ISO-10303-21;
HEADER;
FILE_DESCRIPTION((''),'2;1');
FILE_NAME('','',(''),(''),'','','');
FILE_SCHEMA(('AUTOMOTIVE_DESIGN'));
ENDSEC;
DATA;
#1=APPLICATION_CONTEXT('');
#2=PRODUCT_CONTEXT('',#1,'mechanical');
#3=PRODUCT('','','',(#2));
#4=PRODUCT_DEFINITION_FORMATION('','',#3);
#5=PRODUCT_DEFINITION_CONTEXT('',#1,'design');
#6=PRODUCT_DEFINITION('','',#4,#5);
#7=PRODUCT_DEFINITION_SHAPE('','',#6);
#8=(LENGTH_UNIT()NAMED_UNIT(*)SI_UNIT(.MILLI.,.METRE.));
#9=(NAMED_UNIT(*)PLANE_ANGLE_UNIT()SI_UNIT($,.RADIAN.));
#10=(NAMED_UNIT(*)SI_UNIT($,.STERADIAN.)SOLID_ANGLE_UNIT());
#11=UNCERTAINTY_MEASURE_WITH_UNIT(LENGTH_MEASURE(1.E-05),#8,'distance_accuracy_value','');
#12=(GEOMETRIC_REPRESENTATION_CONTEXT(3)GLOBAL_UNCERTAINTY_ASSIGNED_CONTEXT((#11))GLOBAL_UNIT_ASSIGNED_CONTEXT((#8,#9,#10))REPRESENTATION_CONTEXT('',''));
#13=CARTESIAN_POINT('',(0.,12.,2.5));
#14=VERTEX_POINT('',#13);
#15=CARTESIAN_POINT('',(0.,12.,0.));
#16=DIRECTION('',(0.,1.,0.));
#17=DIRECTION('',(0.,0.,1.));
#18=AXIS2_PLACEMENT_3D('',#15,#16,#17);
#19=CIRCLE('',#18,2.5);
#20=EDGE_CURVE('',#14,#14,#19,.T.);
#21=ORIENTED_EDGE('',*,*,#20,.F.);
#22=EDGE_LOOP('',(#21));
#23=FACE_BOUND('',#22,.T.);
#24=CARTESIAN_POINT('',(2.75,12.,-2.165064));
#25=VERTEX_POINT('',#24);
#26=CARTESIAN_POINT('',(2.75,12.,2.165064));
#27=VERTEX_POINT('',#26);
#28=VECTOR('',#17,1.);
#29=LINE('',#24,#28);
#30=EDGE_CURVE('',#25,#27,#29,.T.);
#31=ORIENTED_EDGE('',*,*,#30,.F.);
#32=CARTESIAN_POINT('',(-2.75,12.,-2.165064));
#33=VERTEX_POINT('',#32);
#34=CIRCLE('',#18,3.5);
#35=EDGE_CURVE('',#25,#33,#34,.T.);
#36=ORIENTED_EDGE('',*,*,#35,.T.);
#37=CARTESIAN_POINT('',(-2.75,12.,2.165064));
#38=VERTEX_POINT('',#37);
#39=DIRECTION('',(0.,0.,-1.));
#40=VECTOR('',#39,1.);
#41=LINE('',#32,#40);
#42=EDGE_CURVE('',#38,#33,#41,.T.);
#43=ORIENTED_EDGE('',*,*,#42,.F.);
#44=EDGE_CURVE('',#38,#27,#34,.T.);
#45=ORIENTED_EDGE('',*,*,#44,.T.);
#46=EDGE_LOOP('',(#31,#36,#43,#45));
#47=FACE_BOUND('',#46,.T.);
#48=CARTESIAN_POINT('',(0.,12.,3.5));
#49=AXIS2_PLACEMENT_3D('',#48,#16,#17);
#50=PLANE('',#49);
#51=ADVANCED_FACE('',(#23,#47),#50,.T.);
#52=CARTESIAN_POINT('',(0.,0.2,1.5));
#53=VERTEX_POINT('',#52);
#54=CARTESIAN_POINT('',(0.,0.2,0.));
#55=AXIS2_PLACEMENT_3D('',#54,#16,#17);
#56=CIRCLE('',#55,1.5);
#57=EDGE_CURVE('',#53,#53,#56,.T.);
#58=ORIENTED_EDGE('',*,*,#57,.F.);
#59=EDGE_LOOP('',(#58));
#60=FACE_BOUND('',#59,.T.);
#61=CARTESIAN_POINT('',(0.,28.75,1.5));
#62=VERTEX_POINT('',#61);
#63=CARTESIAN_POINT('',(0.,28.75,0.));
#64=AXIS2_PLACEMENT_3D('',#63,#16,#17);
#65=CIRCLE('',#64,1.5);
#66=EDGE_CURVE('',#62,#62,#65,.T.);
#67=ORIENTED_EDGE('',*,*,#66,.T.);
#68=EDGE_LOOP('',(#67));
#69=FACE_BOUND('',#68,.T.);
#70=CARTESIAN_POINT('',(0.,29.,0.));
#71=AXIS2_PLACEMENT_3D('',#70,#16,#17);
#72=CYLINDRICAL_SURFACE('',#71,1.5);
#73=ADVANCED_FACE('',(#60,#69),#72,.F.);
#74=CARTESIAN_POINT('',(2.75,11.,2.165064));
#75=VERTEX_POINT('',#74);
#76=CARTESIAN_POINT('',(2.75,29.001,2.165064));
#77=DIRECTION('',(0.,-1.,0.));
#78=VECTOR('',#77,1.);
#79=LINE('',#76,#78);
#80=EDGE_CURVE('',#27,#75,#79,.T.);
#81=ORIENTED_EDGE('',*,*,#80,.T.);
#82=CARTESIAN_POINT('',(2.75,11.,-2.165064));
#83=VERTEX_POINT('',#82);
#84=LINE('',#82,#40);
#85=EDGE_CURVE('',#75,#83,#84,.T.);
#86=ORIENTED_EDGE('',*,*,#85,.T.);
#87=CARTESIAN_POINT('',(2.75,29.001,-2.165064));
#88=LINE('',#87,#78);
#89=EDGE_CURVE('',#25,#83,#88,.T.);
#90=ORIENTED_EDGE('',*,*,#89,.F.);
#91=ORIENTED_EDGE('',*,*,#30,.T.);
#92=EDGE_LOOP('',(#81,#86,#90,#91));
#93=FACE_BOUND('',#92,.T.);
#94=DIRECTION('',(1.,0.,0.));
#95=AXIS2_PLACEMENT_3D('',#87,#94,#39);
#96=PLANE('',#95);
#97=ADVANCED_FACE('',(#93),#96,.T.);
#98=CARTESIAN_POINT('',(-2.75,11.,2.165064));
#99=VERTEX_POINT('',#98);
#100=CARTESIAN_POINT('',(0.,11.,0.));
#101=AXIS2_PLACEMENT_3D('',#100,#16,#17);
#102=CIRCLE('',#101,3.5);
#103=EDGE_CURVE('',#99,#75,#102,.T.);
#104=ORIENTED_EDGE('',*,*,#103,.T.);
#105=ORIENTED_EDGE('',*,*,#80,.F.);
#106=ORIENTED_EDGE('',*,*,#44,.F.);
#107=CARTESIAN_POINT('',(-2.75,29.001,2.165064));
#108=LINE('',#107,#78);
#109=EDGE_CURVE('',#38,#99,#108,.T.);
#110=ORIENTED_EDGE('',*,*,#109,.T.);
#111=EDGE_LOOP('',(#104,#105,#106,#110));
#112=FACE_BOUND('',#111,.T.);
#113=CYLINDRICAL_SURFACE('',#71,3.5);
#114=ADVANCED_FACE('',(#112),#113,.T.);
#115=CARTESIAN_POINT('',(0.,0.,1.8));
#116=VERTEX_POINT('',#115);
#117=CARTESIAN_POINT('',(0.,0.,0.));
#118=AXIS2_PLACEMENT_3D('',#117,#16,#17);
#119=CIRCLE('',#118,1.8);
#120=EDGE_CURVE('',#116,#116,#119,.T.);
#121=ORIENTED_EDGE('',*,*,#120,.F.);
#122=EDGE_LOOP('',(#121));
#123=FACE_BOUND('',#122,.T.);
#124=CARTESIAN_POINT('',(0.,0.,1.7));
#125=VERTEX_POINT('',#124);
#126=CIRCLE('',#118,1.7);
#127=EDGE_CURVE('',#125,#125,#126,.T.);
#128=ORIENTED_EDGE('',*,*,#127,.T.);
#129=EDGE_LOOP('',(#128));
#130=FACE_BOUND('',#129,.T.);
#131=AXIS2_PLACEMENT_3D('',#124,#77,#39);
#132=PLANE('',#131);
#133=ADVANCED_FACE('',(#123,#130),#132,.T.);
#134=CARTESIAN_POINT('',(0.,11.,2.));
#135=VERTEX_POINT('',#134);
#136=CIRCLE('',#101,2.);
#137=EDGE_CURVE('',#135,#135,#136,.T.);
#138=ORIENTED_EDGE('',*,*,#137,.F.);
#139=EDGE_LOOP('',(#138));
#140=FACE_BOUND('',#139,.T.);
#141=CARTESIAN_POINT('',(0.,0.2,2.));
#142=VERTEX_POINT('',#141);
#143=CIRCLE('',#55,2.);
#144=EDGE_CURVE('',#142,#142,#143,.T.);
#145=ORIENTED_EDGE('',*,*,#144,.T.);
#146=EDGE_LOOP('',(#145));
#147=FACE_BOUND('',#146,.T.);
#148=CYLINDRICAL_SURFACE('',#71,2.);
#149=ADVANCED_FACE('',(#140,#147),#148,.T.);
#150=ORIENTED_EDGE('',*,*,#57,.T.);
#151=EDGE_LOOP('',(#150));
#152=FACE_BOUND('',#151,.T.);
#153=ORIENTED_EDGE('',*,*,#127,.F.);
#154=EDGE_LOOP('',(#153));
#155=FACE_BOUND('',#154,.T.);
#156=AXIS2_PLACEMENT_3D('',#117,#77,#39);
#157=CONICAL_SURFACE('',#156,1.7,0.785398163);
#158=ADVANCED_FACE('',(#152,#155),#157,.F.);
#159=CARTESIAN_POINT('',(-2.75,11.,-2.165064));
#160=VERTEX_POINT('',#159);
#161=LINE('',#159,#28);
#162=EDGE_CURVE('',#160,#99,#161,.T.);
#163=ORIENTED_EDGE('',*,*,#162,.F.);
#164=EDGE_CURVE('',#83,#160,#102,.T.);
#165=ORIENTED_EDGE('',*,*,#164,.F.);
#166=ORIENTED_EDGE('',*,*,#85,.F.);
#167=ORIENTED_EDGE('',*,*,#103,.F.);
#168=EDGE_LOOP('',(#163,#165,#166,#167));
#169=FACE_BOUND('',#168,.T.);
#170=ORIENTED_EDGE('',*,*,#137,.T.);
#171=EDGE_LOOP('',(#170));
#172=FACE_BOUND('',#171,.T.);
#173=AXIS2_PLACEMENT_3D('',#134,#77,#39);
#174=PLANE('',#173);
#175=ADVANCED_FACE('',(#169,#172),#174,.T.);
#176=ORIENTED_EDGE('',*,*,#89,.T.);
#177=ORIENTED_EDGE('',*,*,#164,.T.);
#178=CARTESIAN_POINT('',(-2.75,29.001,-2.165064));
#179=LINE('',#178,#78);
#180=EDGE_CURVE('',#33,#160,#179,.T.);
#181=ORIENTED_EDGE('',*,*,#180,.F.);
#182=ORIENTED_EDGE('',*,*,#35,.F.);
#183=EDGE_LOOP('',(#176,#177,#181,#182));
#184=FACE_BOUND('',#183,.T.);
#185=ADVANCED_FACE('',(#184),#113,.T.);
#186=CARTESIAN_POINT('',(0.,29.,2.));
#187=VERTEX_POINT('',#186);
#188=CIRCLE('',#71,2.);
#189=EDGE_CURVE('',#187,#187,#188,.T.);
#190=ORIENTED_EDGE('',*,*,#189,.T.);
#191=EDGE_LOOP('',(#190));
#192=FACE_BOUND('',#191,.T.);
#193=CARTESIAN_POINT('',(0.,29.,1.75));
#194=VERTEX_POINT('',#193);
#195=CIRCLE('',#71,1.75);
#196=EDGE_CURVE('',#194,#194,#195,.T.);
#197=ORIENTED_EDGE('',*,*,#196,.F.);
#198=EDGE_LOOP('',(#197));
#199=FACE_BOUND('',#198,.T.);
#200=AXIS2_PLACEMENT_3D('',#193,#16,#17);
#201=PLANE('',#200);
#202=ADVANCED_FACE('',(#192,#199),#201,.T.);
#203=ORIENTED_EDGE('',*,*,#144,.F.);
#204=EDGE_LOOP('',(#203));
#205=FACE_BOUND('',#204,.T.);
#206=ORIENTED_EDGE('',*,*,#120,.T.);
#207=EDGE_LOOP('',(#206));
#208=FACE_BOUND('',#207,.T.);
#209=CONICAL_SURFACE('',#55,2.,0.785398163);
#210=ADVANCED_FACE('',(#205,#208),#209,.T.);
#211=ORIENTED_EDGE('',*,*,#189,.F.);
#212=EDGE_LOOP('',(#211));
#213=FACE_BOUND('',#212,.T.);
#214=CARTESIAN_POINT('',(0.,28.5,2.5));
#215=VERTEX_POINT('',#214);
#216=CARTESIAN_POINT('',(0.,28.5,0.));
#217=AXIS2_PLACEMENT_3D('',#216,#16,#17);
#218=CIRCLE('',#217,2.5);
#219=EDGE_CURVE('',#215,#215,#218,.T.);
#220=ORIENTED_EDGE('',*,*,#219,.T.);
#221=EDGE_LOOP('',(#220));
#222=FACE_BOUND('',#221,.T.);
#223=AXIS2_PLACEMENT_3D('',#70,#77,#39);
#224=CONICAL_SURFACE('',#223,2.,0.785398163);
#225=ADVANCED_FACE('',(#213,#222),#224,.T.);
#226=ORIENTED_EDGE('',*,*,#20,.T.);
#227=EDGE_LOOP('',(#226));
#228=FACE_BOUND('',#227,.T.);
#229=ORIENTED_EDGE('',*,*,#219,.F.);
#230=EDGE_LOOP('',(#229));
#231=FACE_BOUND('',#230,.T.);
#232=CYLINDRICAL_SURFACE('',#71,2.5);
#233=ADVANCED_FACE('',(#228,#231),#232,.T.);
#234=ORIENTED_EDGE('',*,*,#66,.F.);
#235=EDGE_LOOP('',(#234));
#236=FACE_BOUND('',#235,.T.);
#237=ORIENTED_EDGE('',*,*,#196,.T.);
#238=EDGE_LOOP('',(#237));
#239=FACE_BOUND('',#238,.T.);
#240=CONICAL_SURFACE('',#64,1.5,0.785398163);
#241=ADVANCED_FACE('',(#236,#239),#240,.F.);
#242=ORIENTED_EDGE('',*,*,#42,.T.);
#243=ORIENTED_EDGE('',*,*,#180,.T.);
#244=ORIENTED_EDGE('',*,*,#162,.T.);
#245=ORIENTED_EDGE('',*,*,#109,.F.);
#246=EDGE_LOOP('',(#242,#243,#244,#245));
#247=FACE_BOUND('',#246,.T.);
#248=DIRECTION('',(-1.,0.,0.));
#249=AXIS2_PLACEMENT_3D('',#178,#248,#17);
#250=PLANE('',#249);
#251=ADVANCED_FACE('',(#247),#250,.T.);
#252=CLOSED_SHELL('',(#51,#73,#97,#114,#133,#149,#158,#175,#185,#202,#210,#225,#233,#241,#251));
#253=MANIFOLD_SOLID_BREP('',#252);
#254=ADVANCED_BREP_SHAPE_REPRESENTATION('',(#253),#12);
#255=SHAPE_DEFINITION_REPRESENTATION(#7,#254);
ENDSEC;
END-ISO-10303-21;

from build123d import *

# Parameters (mm, degrees)
CUT_EXTRUDE1_REACH = 31.419


with BuildPart() as part:
    # Sketch1 → Revolve1 (revolve)
    with BuildSketch(Plane(origin=(0, 0, 0), x_dir=(0, 0, -1), z_dir=(1, 0, 0))):
        Polygon((-1.5, 0.2), (-1.5, 28.75), (-1.75, 29), (-2, 29), (-2.5, 28.5), (-2.5, 12), (-3.5, 12), (-3.5, 11), (-2, 11), (-2, 0.2), (-1.8, 0), (-1.7, 0), align=None)
    revolve(axis=Axis((0, 29, 0), (0, -1, 0)))

    # Sketch2 → Cut-Extrude1 (cut, up to next)
    with BuildSketch(Plane(origin=(0, 0, 0), x_dir=(1, 0, 0), z_dir=(0, 1, 0)), mode=Mode.PRIVATE) as cut_extrude1_sk1:
        with BuildLine():
            Line((-2.75, 2.165063509), (-2.75, -2.165063509))
            ThreePointArc((-2.75, -2.165063509), (-3.5, 0), (-2.75, 2.165063509))
        make_face()
    cut_extrude1_tool1 = extrude(cut_extrude1_sk1.sketch, amount=CUT_EXTRUDE1_REACH, mode=Mode.PRIVATE) & part.part
    # Sketch2 → Cut-Extrude1 (cut, up to next)
    with BuildSketch(Plane(origin=(0, 0, 0), x_dir=(1, 0, 0), z_dir=(0, 1, 0)), mode=Mode.PRIVATE) as cut_extrude1_sk2:
        with BuildLine():
            Line((2.75, 2.165063509), (2.75, -2.165063509))
            ThreePointArc((2.75, -2.165063509), (3.5, 0), (2.75, 2.165063509))
        make_face()
    cut_extrude1_tool2 = extrude(cut_extrude1_sk2.sketch, amount=CUT_EXTRUDE1_REACH, mode=Mode.PRIVATE) & part.part
    add(cut_extrude1_tool1.solids().sort_by_distance((-3.052938, 0, 0))[0], mode=Mode.SUBTRACT)
    add(cut_extrude1_tool2.solids().sort_by_distance((3.052938, 0, 0))[0], mode=Mode.SUBTRACT)


solid = part.part
